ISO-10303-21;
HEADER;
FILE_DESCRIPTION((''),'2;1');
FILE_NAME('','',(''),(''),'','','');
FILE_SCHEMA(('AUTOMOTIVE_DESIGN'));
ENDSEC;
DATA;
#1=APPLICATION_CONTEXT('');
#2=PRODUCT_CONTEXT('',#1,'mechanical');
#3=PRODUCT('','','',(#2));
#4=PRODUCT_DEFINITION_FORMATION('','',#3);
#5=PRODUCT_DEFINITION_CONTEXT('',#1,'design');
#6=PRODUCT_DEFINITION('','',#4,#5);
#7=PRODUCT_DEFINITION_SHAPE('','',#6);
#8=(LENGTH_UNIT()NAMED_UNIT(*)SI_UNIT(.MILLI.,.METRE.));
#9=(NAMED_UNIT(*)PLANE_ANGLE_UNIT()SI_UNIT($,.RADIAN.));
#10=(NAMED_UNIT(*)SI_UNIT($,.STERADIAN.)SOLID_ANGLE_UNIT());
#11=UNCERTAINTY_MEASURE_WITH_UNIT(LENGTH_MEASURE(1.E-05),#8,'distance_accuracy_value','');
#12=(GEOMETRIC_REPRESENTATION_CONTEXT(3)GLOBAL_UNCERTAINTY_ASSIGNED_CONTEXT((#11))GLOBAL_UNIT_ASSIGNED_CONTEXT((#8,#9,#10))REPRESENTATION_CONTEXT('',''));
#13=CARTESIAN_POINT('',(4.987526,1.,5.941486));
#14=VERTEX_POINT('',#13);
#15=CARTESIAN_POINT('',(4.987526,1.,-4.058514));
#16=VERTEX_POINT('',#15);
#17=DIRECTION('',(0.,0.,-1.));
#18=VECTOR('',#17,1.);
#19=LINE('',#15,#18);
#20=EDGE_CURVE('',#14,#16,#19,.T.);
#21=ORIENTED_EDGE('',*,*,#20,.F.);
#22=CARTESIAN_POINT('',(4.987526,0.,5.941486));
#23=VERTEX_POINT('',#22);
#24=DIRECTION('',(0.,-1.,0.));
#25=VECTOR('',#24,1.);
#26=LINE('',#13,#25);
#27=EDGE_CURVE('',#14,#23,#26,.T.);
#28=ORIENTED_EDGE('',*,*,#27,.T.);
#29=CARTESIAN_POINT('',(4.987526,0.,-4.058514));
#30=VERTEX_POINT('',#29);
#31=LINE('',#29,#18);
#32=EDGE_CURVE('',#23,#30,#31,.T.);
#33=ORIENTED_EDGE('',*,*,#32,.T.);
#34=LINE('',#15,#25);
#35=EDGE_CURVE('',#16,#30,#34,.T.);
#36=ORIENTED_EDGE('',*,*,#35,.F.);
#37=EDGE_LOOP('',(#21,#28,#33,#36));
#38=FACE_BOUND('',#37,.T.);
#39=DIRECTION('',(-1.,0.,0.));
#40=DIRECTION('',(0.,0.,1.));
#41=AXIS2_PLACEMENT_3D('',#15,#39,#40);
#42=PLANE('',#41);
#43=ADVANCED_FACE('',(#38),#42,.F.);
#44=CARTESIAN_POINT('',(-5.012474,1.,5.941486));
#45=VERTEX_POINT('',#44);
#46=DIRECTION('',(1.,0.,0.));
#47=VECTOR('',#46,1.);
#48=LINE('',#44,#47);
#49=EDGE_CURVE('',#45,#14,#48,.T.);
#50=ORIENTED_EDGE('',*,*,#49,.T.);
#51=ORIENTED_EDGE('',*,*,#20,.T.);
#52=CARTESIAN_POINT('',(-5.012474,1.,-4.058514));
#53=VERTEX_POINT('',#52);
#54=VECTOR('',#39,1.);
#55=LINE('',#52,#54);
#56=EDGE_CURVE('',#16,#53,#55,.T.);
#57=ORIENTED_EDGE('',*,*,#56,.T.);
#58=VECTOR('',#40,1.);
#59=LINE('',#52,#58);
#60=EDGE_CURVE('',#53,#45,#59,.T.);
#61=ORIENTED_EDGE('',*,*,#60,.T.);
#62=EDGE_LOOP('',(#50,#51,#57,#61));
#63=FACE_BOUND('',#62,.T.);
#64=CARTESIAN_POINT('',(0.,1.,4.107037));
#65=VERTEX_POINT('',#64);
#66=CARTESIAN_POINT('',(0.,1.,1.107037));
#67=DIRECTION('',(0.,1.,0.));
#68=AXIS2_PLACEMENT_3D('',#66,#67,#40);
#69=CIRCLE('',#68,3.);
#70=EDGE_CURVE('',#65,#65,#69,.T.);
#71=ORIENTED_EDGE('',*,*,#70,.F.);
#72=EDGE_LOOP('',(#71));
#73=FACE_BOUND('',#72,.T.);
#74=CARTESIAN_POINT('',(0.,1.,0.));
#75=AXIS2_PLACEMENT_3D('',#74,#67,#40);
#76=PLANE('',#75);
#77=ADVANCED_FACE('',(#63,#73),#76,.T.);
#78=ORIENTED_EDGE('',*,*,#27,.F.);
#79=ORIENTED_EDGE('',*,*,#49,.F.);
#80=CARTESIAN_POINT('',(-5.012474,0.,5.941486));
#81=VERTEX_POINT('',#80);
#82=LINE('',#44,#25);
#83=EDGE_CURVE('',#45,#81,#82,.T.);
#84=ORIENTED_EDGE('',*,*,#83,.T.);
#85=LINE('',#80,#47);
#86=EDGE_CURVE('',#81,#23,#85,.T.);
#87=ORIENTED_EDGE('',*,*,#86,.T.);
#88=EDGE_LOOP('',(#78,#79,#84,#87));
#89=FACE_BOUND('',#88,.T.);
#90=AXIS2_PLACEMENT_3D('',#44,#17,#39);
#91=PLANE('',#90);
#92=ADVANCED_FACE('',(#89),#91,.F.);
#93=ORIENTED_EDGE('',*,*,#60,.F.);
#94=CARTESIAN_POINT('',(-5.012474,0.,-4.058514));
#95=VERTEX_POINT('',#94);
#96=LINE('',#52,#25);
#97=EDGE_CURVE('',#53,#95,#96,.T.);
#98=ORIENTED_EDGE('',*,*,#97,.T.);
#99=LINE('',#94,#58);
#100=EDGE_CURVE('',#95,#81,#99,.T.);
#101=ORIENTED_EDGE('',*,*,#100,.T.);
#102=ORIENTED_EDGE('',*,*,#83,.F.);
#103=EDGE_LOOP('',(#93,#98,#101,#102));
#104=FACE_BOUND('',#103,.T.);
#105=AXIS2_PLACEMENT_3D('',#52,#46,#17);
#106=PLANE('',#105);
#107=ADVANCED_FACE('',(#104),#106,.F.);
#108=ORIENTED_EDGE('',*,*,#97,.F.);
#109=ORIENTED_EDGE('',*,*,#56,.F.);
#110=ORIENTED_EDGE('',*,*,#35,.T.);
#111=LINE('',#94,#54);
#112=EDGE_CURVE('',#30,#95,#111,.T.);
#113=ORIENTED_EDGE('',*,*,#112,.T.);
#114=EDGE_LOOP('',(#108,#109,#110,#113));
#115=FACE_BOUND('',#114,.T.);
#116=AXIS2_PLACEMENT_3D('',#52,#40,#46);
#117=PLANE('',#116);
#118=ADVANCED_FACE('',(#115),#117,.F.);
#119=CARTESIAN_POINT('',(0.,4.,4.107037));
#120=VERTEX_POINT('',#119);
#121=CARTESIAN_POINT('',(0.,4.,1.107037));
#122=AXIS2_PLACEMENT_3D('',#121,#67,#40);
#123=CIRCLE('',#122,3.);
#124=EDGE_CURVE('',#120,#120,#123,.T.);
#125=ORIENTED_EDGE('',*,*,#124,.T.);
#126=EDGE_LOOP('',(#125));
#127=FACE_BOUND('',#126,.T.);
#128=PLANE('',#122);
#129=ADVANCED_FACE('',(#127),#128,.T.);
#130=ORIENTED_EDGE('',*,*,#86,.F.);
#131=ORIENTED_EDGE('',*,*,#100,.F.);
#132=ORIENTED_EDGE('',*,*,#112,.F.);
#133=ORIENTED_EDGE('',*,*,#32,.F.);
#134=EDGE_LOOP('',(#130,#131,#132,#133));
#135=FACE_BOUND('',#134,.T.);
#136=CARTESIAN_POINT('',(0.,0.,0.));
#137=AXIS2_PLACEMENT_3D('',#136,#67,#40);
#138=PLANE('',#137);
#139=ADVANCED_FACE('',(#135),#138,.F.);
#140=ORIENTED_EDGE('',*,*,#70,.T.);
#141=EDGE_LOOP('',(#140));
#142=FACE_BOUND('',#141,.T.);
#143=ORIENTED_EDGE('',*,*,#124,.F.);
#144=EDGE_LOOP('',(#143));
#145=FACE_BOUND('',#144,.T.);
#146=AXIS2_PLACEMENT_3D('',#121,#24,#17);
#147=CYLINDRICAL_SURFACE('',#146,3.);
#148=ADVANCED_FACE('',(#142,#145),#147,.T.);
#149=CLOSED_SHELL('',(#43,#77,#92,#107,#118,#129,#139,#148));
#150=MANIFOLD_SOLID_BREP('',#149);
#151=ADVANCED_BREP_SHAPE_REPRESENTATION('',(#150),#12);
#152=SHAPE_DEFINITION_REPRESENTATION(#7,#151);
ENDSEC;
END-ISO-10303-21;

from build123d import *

# Parameters (mm, degrees)
SKETCH1_W           = 10
SKETCH1_H           = 10
BOSS_EXTRUDE1_DEPTH = 1
SKETCH2_R           = 3
BOSS_EXTRUDE2_DEPTH = 3


with BuildPart() as part:
    # Sketch1 → Boss-Extrude1 (new body)
    with BuildSketch(Plane(origin=(0, 0, 0), x_dir=(1, 0, 0), z_dir=(0, 1, 0))):
        with Locations((-0.01247434, -0.941486055)):
            Rectangle(SKETCH1_W, SKETCH1_H)
    extrude(amount=BOSS_EXTRUDE1_DEPTH)

    # Sketch2 → Boss-Extrude2 (add)
    with BuildSketch(Plane(origin=(0, 1, 0), x_dir=(1, 0, 0), z_dir=(0, 1, 0))):
        with Locations(Location((0, -1.107036753, 0), (0, 0, 270))):
            Circle(SKETCH2_R)
    extrude(amount=BOSS_EXTRUDE2_DEPTH)


solid = part.part
